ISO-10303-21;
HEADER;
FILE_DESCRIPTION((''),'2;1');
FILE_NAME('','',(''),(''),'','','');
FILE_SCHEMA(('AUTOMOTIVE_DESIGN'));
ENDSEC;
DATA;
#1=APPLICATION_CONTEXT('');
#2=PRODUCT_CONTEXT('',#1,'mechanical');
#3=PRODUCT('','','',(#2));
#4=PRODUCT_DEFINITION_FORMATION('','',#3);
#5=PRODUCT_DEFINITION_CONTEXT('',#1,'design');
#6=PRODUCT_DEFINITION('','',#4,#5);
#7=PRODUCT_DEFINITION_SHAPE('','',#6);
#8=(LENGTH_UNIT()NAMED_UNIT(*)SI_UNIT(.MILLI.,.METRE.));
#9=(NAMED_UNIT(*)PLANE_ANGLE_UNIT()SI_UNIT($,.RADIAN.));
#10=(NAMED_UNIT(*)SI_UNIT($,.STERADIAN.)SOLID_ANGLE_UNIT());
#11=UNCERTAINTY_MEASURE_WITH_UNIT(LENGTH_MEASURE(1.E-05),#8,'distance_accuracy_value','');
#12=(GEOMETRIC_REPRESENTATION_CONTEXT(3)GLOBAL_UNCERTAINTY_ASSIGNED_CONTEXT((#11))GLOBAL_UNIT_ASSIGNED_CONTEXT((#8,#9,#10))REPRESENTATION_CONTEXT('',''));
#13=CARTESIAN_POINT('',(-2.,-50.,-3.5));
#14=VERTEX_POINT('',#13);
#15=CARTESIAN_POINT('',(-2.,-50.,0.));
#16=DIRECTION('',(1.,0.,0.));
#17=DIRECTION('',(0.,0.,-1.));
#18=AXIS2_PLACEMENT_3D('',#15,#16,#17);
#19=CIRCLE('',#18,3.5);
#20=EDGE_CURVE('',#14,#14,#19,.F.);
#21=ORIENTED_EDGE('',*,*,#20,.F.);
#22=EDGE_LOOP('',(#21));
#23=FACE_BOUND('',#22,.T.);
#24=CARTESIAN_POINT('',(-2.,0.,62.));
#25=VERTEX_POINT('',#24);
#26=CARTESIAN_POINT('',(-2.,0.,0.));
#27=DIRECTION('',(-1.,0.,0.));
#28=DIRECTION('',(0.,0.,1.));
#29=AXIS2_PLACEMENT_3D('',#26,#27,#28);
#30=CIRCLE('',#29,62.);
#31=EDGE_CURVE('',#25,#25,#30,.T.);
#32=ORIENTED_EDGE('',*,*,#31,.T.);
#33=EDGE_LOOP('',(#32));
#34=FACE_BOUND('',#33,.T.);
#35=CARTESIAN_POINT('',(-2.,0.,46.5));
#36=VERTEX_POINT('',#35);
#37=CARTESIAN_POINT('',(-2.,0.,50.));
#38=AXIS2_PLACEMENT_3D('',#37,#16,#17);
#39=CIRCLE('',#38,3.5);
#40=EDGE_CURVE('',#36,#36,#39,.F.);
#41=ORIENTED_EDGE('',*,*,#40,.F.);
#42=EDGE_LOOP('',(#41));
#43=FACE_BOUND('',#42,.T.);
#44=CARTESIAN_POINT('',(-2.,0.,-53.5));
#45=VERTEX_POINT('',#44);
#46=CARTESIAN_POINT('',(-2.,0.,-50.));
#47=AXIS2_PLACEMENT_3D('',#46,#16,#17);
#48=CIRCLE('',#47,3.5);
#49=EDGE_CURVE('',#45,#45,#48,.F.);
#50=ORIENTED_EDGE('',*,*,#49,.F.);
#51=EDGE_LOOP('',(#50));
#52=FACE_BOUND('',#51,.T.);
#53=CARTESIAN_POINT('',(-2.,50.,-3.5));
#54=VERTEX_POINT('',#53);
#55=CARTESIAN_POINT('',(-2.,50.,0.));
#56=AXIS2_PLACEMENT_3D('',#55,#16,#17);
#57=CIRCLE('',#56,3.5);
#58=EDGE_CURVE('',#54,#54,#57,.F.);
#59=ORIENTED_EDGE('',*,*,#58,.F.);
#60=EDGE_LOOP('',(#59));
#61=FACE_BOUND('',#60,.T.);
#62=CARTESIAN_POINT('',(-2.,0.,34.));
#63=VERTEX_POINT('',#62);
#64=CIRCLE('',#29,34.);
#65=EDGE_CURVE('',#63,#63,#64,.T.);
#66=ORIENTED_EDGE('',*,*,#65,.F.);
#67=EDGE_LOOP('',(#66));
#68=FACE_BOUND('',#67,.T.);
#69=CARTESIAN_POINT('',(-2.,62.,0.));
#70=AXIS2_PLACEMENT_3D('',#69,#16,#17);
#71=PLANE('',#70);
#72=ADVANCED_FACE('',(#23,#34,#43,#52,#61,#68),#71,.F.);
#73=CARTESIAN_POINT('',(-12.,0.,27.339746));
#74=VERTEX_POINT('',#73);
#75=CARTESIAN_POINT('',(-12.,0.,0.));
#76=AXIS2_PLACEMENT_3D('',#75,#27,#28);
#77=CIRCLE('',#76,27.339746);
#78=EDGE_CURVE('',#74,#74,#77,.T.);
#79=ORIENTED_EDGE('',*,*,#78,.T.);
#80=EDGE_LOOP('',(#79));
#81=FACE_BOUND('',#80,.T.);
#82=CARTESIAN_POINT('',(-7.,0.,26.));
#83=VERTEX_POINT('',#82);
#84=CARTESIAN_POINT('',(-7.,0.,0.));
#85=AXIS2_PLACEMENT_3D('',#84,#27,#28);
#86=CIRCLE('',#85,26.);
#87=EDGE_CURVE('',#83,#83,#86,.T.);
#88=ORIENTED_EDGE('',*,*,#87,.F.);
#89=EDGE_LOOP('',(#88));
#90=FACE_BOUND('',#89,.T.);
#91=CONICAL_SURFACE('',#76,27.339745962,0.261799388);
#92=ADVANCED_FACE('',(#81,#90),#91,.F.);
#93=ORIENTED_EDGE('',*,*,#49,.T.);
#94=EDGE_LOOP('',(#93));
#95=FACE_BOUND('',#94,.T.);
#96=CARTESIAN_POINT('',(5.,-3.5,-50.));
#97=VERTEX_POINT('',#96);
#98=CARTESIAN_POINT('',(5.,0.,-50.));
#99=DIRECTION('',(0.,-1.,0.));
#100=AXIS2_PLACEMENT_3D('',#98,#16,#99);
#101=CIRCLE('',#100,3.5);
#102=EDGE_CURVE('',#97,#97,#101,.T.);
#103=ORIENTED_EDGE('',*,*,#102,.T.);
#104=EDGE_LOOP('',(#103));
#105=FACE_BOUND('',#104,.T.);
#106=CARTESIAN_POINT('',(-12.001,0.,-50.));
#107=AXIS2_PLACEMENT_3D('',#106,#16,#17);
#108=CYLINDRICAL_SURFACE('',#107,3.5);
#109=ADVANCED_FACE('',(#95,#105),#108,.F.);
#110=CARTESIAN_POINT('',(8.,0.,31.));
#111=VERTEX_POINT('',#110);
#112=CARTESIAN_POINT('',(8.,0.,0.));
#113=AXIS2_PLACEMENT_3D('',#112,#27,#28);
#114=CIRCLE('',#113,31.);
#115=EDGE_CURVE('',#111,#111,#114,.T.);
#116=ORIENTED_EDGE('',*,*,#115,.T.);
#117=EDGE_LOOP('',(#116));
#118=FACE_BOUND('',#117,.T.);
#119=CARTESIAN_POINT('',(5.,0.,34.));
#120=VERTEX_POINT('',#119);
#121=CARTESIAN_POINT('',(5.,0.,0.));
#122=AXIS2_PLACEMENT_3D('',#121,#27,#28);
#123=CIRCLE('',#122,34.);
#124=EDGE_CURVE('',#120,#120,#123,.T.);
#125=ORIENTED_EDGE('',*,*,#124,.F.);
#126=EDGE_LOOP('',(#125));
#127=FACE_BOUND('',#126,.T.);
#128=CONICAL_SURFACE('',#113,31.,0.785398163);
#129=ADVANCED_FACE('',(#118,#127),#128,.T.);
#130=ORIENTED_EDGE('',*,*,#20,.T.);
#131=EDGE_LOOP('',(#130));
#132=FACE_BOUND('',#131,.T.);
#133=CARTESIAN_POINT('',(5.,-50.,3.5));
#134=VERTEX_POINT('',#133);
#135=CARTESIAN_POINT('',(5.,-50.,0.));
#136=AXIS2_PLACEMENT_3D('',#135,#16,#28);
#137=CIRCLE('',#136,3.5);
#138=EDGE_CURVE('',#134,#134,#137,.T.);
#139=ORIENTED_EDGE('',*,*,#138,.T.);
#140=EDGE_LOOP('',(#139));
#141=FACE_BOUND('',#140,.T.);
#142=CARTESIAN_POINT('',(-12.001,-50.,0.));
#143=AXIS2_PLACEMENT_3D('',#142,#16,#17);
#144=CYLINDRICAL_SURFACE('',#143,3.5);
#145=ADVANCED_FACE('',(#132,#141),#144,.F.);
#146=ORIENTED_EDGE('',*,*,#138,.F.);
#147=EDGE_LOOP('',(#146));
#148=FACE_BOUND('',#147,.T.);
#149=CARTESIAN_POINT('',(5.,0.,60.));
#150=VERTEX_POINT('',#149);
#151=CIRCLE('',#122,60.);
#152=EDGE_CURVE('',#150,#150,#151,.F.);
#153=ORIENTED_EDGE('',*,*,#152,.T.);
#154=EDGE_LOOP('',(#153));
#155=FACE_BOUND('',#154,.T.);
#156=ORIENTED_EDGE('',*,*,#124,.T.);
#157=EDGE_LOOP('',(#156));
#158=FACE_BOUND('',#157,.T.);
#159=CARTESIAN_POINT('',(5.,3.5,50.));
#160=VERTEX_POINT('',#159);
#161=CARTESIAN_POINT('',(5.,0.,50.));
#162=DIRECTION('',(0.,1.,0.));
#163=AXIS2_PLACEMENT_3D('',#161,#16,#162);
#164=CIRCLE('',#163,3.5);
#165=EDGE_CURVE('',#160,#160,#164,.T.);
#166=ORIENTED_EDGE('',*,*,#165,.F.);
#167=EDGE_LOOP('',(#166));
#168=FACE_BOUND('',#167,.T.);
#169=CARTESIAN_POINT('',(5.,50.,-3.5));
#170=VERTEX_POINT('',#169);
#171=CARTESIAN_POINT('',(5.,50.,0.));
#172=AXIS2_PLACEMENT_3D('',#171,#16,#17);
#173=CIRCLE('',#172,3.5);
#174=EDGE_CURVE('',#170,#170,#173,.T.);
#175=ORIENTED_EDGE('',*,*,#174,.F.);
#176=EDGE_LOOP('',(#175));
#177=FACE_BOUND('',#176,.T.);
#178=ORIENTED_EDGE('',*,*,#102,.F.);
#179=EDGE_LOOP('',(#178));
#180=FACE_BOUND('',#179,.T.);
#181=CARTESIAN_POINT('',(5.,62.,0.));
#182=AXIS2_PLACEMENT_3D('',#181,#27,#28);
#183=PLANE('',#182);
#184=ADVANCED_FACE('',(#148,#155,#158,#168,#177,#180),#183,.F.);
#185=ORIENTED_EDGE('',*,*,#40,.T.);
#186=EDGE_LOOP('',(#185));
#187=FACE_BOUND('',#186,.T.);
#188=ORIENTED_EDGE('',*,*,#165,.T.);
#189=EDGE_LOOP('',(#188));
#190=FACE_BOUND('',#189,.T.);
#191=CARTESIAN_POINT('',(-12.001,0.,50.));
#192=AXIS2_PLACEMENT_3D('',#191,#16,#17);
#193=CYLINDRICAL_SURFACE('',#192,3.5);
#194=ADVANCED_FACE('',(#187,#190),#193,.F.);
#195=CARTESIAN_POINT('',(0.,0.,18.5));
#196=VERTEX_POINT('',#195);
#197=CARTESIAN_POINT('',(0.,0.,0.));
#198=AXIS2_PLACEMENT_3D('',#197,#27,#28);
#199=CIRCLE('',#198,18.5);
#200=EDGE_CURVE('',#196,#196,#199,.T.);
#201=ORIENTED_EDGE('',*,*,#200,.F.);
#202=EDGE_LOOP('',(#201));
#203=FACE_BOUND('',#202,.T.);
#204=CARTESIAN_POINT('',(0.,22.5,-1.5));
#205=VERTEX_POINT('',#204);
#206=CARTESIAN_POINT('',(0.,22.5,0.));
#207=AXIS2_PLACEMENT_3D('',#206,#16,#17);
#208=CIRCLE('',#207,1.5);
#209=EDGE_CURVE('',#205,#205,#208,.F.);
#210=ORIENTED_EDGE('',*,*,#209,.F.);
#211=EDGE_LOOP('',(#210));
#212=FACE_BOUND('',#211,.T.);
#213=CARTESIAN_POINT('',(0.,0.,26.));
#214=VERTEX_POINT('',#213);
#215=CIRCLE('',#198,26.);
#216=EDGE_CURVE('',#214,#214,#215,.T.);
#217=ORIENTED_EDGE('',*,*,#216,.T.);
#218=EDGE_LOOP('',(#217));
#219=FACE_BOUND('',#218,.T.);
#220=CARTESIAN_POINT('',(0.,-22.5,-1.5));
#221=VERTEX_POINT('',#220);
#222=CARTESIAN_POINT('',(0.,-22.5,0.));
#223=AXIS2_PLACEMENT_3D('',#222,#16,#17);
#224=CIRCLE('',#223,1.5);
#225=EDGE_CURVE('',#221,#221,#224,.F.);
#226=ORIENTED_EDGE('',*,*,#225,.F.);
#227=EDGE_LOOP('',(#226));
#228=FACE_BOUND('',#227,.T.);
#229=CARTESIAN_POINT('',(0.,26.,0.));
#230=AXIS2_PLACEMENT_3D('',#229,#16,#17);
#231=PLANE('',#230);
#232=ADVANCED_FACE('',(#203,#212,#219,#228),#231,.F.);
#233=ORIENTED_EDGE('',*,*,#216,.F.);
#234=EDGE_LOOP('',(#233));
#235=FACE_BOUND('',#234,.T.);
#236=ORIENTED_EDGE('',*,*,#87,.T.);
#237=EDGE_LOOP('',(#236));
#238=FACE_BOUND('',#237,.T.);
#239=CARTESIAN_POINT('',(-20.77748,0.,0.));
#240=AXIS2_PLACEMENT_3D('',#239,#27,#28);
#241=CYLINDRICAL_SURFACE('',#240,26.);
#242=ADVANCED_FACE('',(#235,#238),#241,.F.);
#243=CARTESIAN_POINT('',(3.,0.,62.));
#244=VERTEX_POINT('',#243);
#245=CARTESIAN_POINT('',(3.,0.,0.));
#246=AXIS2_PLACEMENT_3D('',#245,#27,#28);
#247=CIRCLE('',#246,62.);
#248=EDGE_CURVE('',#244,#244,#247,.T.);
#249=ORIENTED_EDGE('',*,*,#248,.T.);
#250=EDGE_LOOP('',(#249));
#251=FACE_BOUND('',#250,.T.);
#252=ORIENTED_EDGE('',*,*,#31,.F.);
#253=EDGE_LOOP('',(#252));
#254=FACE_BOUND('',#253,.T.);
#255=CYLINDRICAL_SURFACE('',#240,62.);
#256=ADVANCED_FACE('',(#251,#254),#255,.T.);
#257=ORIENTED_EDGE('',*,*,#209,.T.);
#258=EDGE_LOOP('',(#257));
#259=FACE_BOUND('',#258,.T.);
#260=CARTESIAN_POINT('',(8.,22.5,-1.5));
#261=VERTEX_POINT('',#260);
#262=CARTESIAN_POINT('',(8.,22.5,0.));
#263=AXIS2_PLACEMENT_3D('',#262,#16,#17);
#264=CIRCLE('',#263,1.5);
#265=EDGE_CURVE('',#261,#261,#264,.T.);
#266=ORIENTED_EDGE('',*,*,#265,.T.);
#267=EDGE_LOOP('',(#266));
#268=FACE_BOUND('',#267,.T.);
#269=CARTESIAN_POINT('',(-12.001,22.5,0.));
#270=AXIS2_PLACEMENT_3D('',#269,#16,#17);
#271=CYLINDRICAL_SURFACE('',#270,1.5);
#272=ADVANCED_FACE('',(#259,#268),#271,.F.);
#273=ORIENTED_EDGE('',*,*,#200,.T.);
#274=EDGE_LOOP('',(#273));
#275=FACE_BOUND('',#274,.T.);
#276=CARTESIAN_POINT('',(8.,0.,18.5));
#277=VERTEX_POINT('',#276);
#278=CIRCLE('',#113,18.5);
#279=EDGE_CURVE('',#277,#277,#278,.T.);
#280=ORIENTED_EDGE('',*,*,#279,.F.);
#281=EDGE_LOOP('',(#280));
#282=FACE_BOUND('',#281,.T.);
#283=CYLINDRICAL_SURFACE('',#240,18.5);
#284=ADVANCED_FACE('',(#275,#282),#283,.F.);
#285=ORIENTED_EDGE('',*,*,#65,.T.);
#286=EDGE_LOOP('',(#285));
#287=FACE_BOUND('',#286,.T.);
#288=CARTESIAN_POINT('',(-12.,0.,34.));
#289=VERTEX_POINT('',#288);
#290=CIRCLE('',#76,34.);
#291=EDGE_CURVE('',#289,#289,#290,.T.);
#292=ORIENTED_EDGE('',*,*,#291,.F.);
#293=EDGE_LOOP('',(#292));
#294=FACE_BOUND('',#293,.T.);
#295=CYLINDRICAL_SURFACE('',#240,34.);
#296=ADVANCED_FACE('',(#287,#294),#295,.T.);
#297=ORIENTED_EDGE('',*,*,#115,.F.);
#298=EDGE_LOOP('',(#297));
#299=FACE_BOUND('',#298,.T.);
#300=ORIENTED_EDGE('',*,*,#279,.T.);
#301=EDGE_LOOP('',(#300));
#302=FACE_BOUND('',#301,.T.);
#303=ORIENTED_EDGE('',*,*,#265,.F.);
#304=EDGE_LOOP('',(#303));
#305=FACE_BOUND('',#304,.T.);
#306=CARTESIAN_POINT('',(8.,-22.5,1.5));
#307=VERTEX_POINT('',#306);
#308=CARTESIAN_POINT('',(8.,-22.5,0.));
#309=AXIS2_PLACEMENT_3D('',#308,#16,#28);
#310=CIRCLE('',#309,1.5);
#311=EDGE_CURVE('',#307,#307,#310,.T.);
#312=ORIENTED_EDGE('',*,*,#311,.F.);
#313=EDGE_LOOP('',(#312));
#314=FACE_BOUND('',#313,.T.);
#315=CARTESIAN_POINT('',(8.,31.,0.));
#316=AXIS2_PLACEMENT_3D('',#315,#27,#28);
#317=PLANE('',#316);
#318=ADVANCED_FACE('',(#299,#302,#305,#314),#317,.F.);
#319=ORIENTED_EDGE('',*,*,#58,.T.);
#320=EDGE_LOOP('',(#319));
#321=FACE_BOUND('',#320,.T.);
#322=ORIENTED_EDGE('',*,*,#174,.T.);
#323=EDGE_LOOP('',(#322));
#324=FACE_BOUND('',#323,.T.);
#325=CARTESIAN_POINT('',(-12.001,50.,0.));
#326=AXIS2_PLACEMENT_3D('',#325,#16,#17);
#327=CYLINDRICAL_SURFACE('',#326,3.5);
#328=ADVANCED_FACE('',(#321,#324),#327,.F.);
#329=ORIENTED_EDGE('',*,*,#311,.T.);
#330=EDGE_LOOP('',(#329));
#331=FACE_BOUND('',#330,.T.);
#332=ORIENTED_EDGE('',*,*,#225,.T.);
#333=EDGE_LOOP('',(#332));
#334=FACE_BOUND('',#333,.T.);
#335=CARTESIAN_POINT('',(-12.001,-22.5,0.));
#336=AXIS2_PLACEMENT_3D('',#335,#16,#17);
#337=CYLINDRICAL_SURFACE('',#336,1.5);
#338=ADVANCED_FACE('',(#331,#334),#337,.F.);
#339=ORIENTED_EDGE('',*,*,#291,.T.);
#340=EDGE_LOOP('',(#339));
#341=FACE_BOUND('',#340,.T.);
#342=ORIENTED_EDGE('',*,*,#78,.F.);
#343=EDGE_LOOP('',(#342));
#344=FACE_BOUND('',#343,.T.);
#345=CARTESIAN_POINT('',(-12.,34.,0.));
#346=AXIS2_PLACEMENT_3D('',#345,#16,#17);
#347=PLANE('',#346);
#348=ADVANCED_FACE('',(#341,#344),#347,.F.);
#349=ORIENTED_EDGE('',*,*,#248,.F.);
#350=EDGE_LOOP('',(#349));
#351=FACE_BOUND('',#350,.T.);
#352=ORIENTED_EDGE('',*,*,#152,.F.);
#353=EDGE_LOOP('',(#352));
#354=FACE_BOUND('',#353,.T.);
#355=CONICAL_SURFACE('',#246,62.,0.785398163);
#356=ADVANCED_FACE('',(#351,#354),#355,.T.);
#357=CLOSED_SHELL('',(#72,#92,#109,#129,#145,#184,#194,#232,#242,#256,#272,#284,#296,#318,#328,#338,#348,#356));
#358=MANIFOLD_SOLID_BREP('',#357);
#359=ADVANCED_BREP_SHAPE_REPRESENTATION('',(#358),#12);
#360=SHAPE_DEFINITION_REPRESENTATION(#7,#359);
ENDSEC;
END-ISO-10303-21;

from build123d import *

# Parameters (mm, degrees)
ZKOSEN_1_SIZE            = 2
SKICA2_R                 = 1.5
ODEBRAT_VYSUNUT_M1_DEPTH = 8
KRUHOV_POLE1_COUNT       = 2
SKICA3_R                 = 3.5
ODEBRAT_VYSUNUT_M2_DEPTH = 7
KRUHOV_POLE2_COUNT       = 4


with BuildPart() as part:
    # Skica1 → Rotovat1 (revolve)
    with BuildSketch(Plane.XY):
        Polygon((-2, 62), (-2, 34), (-12, 34), (-12, 27.339745962), (-7, 26), (0, 26), (0, 18.5), (8, 18.5), (8, 31), (5, 34), (5, 62), align=None)
    revolve(axis=Axis((-20.777479893, 0, 0), (1, 0, 0)))

    # Zkosení1
    zkosen_1_edges = [part.edges().sort_by_distance(p)[0] for p in [
        (5, -62, 0),
    ]]
    chamfer(zkosen_1_edges, length=ZKOSEN_1_SIZE)

    # Skica2 → Odebrat vysunutím1 (cut)
    with BuildSketch(Plane(origin=(8, 0, 0), x_dir=(0, 0, -1), z_dir=(1, 0, 0))):
        with Locations((0, 22.5)):
            Circle(SKICA2_R)
    odebrat_vysunut_m1 = extrude(amount=-ODEBRAT_VYSUNUT_M1_DEPTH, mode=Mode.SUBTRACT)

    # Kruhové pole1: Odebrat vysunutím1 ×2 about axis
    kruhov_pole1_axis = Axis((0, 0, 0), (1, 0, 0))
    for i in range(1, KRUHOV_POLE1_COUNT):
        add(odebrat_vysunut_m1.rotate(kruhov_pole1_axis, i * 360 / KRUHOV_POLE1_COUNT), mode=Mode.SUBTRACT)

    # Skica3 → Odebrat vysunutím2 (cut)
    with BuildSketch(Plane(origin=(5, 0, 0), x_dir=(0, 0, -1), z_dir=(1, 0, 0))):
        with Locations((0, 50)):
            Circle(SKICA3_R)
    odebrat_vysunut_m2 = extrude(amount=-ODEBRAT_VYSUNUT_M2_DEPTH, mode=Mode.SUBTRACT)

    # Kruhové pole2: Odebrat vysunutím2 ×4 about axis
    kruhov_pole2_axis = Axis((0, 0, 0), (1, 0, 0))
    for i in range(1, KRUHOV_POLE2_COUNT):
        add(odebrat_vysunut_m2.rotate(kruhov_pole2_axis, i * 360 / KRUHOV_POLE2_COUNT), mode=Mode.SUBTRACT)


solid = part.part
